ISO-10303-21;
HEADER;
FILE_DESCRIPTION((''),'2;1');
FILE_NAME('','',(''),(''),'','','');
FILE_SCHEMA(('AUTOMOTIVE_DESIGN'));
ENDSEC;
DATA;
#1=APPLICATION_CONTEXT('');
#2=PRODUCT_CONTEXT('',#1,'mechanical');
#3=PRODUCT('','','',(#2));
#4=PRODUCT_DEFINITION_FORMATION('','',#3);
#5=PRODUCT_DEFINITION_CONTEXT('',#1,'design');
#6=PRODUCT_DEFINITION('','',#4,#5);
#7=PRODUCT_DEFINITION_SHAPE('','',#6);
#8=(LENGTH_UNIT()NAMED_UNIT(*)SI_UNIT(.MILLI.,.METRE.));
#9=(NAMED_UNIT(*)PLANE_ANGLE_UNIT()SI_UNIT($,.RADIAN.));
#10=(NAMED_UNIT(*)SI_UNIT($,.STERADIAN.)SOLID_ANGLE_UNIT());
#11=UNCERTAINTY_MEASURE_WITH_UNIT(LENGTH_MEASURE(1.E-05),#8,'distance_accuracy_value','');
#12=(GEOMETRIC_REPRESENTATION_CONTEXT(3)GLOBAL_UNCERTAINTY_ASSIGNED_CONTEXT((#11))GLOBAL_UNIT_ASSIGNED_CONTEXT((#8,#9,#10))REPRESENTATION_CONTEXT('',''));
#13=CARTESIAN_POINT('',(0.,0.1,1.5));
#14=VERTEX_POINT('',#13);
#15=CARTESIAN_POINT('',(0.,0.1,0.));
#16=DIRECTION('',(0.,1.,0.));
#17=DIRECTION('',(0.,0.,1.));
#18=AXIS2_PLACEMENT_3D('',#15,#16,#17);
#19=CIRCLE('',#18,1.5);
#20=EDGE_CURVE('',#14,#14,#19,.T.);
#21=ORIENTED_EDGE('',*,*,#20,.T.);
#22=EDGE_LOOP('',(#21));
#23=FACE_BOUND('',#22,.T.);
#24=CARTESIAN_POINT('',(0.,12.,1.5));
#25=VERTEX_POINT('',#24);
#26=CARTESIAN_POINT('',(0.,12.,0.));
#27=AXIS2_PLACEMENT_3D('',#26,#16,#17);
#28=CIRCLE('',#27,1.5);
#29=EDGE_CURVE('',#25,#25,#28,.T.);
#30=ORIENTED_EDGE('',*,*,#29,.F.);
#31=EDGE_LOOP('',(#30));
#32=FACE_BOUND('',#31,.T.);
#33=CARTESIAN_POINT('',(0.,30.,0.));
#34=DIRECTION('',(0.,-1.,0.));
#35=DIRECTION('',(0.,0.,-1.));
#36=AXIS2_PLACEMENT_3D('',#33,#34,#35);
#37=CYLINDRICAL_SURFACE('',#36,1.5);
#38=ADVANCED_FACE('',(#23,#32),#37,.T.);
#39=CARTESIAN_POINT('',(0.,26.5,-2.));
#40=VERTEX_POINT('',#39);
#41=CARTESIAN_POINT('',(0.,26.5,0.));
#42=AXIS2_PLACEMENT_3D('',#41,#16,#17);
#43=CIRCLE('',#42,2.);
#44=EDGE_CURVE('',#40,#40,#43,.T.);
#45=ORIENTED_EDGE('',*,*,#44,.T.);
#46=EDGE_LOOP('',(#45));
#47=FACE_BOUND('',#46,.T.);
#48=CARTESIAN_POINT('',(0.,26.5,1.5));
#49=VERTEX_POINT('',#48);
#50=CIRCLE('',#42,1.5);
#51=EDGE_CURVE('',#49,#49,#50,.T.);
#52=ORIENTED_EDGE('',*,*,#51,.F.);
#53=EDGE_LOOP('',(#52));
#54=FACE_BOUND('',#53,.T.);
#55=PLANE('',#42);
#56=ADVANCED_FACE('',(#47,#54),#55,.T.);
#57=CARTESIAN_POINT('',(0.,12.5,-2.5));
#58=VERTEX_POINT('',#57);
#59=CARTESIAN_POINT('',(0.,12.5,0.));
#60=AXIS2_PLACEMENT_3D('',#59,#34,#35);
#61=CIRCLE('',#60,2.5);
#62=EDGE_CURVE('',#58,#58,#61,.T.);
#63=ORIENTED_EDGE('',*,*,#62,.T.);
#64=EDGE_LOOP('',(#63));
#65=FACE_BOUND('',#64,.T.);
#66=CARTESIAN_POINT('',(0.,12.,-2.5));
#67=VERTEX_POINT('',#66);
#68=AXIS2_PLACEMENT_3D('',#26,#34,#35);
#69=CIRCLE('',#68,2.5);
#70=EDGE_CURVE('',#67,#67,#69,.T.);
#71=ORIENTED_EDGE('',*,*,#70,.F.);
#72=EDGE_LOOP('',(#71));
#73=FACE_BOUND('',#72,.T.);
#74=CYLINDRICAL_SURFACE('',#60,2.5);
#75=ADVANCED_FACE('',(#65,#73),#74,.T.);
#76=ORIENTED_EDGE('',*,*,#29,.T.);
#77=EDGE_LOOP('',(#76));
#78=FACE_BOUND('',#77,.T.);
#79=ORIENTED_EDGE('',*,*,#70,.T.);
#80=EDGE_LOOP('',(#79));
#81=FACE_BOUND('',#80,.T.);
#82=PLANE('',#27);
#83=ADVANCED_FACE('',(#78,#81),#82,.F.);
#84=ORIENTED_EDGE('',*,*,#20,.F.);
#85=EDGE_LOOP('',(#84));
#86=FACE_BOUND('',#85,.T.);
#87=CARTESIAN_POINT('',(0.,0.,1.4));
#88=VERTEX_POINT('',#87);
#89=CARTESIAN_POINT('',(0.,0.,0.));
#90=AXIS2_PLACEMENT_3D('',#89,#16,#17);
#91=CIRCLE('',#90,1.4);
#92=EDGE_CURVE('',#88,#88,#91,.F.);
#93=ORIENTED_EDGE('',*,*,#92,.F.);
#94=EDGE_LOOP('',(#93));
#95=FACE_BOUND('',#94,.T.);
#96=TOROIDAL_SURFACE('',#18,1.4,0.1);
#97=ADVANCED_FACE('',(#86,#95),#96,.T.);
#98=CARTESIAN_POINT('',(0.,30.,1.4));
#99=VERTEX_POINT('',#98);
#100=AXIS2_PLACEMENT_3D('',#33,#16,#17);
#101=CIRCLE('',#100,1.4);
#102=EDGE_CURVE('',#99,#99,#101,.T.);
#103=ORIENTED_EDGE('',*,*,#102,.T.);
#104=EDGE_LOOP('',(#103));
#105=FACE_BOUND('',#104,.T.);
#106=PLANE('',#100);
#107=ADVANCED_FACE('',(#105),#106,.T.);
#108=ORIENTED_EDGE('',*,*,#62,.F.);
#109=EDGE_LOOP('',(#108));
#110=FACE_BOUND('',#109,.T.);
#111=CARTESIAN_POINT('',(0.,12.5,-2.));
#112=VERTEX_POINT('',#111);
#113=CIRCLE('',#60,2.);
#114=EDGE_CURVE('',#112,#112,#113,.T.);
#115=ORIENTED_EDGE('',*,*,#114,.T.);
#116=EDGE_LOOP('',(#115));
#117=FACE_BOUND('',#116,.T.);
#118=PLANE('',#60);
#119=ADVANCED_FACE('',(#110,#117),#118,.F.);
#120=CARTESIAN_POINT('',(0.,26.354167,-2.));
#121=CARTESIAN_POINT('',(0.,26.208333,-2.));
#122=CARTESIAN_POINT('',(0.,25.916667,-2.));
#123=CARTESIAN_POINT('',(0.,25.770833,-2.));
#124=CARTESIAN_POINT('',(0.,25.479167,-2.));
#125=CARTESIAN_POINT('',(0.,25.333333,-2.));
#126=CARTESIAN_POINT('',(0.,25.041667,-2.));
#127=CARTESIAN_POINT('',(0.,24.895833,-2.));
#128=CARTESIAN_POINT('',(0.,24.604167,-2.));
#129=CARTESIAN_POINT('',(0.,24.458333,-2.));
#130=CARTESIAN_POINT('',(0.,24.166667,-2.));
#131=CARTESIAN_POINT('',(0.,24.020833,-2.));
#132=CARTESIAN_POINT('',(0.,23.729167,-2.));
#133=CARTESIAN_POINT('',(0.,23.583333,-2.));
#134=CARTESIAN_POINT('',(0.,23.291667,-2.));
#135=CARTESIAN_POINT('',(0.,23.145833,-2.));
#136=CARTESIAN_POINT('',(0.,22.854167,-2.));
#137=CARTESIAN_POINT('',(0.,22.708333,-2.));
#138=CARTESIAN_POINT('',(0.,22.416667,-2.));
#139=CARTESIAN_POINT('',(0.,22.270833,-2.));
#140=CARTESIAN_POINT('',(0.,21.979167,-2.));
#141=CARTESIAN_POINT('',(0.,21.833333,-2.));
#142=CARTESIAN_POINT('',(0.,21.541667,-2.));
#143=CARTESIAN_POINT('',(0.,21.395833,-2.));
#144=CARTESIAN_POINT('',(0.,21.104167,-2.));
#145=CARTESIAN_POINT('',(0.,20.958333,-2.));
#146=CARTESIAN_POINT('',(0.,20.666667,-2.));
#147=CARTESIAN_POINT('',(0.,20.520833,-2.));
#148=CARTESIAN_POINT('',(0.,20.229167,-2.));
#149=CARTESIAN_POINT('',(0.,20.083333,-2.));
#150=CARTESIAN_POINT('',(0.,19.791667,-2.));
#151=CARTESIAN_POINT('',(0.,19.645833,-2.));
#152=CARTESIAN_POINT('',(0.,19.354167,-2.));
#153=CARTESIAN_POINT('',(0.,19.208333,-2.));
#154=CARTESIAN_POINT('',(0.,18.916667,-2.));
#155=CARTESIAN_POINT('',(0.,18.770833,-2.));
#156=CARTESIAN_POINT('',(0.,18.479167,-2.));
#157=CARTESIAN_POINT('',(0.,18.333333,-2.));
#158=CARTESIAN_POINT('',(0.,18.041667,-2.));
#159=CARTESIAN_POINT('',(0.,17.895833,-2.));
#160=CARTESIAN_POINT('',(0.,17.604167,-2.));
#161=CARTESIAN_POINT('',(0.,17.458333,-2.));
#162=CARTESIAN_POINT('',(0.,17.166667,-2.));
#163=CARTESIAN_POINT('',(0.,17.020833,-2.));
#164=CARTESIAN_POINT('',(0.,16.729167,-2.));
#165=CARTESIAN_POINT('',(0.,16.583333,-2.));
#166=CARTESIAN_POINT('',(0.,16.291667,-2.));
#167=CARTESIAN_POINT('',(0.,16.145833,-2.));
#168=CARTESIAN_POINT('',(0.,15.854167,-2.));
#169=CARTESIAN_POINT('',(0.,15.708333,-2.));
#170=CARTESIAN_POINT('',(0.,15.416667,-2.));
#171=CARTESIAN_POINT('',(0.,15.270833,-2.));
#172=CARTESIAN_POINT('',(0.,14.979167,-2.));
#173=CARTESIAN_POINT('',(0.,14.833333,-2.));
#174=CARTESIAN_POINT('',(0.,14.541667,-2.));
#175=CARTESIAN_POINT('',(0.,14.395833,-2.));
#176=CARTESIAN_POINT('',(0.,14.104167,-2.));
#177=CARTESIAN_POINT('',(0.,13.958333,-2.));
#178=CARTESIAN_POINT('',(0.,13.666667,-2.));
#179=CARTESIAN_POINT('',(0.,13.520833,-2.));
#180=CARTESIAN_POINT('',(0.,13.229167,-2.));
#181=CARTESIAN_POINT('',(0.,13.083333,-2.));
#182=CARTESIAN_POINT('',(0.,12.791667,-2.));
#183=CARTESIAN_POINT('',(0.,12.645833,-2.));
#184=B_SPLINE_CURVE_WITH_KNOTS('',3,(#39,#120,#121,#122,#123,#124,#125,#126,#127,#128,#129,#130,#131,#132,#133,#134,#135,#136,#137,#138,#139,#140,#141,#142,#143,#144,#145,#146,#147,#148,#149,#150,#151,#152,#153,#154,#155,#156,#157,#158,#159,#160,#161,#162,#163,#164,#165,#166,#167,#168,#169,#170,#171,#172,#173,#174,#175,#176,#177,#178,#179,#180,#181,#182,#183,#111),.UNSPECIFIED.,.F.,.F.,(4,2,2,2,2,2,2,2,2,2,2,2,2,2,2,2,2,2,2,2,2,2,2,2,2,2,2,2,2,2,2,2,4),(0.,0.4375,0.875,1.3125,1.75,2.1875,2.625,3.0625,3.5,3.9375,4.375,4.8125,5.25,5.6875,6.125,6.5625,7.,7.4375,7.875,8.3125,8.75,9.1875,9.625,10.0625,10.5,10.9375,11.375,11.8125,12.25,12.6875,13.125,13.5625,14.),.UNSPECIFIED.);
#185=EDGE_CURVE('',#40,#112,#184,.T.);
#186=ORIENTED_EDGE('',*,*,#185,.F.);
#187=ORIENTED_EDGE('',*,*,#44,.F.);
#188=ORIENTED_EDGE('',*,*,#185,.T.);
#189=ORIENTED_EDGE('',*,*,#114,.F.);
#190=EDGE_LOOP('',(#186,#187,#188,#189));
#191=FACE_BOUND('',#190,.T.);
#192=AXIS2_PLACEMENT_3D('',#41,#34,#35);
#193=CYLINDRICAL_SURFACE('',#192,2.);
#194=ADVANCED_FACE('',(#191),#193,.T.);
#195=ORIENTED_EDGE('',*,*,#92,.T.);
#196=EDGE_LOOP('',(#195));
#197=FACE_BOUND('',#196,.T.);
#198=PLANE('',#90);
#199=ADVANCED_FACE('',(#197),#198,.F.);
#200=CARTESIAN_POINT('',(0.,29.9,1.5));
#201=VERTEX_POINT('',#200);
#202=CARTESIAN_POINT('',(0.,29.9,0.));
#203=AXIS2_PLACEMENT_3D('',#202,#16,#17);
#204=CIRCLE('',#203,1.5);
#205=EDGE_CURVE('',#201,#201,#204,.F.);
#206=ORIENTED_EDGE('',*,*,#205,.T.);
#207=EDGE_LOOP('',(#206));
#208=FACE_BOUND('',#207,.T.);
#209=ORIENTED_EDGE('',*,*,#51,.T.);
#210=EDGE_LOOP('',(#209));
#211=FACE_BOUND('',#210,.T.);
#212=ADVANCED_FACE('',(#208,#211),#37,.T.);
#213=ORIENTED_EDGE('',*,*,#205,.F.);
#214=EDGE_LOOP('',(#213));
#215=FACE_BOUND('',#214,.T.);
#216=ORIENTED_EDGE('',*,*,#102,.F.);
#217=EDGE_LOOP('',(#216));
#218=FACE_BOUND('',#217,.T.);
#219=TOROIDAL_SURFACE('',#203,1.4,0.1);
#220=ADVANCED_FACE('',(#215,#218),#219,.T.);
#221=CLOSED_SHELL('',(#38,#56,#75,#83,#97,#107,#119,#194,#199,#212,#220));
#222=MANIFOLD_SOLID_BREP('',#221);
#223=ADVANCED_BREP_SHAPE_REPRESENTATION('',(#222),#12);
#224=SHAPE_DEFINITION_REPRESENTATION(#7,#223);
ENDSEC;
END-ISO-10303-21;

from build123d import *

# Parameters (mm, degrees)
SKETCH_1_R      = 1.5
EXTRUDE_1_DEPTH = 30
SKETCH_2_R      = 2
SKETCH_2_R_2    = 1.5
EXTRUDE_2_DEPTH = 14.5
FILLET_1_R      = 0.1
SKETCH_3_R      = 2.5
SKETCH_3_R_2    = 2
EXTRUDE_3_DEPTH = 0.5


with BuildPart() as part:
    # 草图1 → 凸台-拉伸1 (new body)
    with BuildSketch(Plane(origin=(0, 0, 0), x_dir=(1, 0, 0), z_dir=(0, 1, 0))):
        with Locations(Location((0, 0, 0), (0, 0, 270))):
            Circle(SKETCH_1_R)
    extrude(amount=EXTRUDE_1_DEPTH)

    # 草图2 → 凸台-拉伸2 (add)
    with BuildSketch(Plane(origin=(0, 12, 0), x_dir=(1, 0, 0), z_dir=(0, 1, 0))):
        with Locations(Location((0, 0, 0), (0, 0, 90))):
            Circle(SKETCH_2_R)
        with Locations(Location((0, 0, 0), (0, 0, 270))):
            Circle(SKETCH_2_R_2, mode=Mode.SUBTRACT)
    extrude(amount=EXTRUDE_2_DEPTH)

    # 圆角1
    fillet_1_edges = [part.edges().sort_by_distance(p)[0] for p in [
        (0, 0, -1.5),
        (0, 30, -1.5),
    ]]
    fillet(fillet_1_edges, radius=FILLET_1_R)

    # 草图3 → 凸台-拉伸3 (add)
    with BuildSketch(Plane(origin=(0, 12, 0), x_dir=(-1, 0, 0), z_dir=(0, -1, 0))):
        with Locations(Location((0, 0, 0), (0, 0, 90))):
            Circle(SKETCH_3_R)
        with Locations(Location((0, 0, 0), (0, 0, 90))):
            Circle(SKETCH_3_R_2, mode=Mode.SUBTRACT)
    extrude(amount=-EXTRUDE_3_DEPTH)


solid = part.part
